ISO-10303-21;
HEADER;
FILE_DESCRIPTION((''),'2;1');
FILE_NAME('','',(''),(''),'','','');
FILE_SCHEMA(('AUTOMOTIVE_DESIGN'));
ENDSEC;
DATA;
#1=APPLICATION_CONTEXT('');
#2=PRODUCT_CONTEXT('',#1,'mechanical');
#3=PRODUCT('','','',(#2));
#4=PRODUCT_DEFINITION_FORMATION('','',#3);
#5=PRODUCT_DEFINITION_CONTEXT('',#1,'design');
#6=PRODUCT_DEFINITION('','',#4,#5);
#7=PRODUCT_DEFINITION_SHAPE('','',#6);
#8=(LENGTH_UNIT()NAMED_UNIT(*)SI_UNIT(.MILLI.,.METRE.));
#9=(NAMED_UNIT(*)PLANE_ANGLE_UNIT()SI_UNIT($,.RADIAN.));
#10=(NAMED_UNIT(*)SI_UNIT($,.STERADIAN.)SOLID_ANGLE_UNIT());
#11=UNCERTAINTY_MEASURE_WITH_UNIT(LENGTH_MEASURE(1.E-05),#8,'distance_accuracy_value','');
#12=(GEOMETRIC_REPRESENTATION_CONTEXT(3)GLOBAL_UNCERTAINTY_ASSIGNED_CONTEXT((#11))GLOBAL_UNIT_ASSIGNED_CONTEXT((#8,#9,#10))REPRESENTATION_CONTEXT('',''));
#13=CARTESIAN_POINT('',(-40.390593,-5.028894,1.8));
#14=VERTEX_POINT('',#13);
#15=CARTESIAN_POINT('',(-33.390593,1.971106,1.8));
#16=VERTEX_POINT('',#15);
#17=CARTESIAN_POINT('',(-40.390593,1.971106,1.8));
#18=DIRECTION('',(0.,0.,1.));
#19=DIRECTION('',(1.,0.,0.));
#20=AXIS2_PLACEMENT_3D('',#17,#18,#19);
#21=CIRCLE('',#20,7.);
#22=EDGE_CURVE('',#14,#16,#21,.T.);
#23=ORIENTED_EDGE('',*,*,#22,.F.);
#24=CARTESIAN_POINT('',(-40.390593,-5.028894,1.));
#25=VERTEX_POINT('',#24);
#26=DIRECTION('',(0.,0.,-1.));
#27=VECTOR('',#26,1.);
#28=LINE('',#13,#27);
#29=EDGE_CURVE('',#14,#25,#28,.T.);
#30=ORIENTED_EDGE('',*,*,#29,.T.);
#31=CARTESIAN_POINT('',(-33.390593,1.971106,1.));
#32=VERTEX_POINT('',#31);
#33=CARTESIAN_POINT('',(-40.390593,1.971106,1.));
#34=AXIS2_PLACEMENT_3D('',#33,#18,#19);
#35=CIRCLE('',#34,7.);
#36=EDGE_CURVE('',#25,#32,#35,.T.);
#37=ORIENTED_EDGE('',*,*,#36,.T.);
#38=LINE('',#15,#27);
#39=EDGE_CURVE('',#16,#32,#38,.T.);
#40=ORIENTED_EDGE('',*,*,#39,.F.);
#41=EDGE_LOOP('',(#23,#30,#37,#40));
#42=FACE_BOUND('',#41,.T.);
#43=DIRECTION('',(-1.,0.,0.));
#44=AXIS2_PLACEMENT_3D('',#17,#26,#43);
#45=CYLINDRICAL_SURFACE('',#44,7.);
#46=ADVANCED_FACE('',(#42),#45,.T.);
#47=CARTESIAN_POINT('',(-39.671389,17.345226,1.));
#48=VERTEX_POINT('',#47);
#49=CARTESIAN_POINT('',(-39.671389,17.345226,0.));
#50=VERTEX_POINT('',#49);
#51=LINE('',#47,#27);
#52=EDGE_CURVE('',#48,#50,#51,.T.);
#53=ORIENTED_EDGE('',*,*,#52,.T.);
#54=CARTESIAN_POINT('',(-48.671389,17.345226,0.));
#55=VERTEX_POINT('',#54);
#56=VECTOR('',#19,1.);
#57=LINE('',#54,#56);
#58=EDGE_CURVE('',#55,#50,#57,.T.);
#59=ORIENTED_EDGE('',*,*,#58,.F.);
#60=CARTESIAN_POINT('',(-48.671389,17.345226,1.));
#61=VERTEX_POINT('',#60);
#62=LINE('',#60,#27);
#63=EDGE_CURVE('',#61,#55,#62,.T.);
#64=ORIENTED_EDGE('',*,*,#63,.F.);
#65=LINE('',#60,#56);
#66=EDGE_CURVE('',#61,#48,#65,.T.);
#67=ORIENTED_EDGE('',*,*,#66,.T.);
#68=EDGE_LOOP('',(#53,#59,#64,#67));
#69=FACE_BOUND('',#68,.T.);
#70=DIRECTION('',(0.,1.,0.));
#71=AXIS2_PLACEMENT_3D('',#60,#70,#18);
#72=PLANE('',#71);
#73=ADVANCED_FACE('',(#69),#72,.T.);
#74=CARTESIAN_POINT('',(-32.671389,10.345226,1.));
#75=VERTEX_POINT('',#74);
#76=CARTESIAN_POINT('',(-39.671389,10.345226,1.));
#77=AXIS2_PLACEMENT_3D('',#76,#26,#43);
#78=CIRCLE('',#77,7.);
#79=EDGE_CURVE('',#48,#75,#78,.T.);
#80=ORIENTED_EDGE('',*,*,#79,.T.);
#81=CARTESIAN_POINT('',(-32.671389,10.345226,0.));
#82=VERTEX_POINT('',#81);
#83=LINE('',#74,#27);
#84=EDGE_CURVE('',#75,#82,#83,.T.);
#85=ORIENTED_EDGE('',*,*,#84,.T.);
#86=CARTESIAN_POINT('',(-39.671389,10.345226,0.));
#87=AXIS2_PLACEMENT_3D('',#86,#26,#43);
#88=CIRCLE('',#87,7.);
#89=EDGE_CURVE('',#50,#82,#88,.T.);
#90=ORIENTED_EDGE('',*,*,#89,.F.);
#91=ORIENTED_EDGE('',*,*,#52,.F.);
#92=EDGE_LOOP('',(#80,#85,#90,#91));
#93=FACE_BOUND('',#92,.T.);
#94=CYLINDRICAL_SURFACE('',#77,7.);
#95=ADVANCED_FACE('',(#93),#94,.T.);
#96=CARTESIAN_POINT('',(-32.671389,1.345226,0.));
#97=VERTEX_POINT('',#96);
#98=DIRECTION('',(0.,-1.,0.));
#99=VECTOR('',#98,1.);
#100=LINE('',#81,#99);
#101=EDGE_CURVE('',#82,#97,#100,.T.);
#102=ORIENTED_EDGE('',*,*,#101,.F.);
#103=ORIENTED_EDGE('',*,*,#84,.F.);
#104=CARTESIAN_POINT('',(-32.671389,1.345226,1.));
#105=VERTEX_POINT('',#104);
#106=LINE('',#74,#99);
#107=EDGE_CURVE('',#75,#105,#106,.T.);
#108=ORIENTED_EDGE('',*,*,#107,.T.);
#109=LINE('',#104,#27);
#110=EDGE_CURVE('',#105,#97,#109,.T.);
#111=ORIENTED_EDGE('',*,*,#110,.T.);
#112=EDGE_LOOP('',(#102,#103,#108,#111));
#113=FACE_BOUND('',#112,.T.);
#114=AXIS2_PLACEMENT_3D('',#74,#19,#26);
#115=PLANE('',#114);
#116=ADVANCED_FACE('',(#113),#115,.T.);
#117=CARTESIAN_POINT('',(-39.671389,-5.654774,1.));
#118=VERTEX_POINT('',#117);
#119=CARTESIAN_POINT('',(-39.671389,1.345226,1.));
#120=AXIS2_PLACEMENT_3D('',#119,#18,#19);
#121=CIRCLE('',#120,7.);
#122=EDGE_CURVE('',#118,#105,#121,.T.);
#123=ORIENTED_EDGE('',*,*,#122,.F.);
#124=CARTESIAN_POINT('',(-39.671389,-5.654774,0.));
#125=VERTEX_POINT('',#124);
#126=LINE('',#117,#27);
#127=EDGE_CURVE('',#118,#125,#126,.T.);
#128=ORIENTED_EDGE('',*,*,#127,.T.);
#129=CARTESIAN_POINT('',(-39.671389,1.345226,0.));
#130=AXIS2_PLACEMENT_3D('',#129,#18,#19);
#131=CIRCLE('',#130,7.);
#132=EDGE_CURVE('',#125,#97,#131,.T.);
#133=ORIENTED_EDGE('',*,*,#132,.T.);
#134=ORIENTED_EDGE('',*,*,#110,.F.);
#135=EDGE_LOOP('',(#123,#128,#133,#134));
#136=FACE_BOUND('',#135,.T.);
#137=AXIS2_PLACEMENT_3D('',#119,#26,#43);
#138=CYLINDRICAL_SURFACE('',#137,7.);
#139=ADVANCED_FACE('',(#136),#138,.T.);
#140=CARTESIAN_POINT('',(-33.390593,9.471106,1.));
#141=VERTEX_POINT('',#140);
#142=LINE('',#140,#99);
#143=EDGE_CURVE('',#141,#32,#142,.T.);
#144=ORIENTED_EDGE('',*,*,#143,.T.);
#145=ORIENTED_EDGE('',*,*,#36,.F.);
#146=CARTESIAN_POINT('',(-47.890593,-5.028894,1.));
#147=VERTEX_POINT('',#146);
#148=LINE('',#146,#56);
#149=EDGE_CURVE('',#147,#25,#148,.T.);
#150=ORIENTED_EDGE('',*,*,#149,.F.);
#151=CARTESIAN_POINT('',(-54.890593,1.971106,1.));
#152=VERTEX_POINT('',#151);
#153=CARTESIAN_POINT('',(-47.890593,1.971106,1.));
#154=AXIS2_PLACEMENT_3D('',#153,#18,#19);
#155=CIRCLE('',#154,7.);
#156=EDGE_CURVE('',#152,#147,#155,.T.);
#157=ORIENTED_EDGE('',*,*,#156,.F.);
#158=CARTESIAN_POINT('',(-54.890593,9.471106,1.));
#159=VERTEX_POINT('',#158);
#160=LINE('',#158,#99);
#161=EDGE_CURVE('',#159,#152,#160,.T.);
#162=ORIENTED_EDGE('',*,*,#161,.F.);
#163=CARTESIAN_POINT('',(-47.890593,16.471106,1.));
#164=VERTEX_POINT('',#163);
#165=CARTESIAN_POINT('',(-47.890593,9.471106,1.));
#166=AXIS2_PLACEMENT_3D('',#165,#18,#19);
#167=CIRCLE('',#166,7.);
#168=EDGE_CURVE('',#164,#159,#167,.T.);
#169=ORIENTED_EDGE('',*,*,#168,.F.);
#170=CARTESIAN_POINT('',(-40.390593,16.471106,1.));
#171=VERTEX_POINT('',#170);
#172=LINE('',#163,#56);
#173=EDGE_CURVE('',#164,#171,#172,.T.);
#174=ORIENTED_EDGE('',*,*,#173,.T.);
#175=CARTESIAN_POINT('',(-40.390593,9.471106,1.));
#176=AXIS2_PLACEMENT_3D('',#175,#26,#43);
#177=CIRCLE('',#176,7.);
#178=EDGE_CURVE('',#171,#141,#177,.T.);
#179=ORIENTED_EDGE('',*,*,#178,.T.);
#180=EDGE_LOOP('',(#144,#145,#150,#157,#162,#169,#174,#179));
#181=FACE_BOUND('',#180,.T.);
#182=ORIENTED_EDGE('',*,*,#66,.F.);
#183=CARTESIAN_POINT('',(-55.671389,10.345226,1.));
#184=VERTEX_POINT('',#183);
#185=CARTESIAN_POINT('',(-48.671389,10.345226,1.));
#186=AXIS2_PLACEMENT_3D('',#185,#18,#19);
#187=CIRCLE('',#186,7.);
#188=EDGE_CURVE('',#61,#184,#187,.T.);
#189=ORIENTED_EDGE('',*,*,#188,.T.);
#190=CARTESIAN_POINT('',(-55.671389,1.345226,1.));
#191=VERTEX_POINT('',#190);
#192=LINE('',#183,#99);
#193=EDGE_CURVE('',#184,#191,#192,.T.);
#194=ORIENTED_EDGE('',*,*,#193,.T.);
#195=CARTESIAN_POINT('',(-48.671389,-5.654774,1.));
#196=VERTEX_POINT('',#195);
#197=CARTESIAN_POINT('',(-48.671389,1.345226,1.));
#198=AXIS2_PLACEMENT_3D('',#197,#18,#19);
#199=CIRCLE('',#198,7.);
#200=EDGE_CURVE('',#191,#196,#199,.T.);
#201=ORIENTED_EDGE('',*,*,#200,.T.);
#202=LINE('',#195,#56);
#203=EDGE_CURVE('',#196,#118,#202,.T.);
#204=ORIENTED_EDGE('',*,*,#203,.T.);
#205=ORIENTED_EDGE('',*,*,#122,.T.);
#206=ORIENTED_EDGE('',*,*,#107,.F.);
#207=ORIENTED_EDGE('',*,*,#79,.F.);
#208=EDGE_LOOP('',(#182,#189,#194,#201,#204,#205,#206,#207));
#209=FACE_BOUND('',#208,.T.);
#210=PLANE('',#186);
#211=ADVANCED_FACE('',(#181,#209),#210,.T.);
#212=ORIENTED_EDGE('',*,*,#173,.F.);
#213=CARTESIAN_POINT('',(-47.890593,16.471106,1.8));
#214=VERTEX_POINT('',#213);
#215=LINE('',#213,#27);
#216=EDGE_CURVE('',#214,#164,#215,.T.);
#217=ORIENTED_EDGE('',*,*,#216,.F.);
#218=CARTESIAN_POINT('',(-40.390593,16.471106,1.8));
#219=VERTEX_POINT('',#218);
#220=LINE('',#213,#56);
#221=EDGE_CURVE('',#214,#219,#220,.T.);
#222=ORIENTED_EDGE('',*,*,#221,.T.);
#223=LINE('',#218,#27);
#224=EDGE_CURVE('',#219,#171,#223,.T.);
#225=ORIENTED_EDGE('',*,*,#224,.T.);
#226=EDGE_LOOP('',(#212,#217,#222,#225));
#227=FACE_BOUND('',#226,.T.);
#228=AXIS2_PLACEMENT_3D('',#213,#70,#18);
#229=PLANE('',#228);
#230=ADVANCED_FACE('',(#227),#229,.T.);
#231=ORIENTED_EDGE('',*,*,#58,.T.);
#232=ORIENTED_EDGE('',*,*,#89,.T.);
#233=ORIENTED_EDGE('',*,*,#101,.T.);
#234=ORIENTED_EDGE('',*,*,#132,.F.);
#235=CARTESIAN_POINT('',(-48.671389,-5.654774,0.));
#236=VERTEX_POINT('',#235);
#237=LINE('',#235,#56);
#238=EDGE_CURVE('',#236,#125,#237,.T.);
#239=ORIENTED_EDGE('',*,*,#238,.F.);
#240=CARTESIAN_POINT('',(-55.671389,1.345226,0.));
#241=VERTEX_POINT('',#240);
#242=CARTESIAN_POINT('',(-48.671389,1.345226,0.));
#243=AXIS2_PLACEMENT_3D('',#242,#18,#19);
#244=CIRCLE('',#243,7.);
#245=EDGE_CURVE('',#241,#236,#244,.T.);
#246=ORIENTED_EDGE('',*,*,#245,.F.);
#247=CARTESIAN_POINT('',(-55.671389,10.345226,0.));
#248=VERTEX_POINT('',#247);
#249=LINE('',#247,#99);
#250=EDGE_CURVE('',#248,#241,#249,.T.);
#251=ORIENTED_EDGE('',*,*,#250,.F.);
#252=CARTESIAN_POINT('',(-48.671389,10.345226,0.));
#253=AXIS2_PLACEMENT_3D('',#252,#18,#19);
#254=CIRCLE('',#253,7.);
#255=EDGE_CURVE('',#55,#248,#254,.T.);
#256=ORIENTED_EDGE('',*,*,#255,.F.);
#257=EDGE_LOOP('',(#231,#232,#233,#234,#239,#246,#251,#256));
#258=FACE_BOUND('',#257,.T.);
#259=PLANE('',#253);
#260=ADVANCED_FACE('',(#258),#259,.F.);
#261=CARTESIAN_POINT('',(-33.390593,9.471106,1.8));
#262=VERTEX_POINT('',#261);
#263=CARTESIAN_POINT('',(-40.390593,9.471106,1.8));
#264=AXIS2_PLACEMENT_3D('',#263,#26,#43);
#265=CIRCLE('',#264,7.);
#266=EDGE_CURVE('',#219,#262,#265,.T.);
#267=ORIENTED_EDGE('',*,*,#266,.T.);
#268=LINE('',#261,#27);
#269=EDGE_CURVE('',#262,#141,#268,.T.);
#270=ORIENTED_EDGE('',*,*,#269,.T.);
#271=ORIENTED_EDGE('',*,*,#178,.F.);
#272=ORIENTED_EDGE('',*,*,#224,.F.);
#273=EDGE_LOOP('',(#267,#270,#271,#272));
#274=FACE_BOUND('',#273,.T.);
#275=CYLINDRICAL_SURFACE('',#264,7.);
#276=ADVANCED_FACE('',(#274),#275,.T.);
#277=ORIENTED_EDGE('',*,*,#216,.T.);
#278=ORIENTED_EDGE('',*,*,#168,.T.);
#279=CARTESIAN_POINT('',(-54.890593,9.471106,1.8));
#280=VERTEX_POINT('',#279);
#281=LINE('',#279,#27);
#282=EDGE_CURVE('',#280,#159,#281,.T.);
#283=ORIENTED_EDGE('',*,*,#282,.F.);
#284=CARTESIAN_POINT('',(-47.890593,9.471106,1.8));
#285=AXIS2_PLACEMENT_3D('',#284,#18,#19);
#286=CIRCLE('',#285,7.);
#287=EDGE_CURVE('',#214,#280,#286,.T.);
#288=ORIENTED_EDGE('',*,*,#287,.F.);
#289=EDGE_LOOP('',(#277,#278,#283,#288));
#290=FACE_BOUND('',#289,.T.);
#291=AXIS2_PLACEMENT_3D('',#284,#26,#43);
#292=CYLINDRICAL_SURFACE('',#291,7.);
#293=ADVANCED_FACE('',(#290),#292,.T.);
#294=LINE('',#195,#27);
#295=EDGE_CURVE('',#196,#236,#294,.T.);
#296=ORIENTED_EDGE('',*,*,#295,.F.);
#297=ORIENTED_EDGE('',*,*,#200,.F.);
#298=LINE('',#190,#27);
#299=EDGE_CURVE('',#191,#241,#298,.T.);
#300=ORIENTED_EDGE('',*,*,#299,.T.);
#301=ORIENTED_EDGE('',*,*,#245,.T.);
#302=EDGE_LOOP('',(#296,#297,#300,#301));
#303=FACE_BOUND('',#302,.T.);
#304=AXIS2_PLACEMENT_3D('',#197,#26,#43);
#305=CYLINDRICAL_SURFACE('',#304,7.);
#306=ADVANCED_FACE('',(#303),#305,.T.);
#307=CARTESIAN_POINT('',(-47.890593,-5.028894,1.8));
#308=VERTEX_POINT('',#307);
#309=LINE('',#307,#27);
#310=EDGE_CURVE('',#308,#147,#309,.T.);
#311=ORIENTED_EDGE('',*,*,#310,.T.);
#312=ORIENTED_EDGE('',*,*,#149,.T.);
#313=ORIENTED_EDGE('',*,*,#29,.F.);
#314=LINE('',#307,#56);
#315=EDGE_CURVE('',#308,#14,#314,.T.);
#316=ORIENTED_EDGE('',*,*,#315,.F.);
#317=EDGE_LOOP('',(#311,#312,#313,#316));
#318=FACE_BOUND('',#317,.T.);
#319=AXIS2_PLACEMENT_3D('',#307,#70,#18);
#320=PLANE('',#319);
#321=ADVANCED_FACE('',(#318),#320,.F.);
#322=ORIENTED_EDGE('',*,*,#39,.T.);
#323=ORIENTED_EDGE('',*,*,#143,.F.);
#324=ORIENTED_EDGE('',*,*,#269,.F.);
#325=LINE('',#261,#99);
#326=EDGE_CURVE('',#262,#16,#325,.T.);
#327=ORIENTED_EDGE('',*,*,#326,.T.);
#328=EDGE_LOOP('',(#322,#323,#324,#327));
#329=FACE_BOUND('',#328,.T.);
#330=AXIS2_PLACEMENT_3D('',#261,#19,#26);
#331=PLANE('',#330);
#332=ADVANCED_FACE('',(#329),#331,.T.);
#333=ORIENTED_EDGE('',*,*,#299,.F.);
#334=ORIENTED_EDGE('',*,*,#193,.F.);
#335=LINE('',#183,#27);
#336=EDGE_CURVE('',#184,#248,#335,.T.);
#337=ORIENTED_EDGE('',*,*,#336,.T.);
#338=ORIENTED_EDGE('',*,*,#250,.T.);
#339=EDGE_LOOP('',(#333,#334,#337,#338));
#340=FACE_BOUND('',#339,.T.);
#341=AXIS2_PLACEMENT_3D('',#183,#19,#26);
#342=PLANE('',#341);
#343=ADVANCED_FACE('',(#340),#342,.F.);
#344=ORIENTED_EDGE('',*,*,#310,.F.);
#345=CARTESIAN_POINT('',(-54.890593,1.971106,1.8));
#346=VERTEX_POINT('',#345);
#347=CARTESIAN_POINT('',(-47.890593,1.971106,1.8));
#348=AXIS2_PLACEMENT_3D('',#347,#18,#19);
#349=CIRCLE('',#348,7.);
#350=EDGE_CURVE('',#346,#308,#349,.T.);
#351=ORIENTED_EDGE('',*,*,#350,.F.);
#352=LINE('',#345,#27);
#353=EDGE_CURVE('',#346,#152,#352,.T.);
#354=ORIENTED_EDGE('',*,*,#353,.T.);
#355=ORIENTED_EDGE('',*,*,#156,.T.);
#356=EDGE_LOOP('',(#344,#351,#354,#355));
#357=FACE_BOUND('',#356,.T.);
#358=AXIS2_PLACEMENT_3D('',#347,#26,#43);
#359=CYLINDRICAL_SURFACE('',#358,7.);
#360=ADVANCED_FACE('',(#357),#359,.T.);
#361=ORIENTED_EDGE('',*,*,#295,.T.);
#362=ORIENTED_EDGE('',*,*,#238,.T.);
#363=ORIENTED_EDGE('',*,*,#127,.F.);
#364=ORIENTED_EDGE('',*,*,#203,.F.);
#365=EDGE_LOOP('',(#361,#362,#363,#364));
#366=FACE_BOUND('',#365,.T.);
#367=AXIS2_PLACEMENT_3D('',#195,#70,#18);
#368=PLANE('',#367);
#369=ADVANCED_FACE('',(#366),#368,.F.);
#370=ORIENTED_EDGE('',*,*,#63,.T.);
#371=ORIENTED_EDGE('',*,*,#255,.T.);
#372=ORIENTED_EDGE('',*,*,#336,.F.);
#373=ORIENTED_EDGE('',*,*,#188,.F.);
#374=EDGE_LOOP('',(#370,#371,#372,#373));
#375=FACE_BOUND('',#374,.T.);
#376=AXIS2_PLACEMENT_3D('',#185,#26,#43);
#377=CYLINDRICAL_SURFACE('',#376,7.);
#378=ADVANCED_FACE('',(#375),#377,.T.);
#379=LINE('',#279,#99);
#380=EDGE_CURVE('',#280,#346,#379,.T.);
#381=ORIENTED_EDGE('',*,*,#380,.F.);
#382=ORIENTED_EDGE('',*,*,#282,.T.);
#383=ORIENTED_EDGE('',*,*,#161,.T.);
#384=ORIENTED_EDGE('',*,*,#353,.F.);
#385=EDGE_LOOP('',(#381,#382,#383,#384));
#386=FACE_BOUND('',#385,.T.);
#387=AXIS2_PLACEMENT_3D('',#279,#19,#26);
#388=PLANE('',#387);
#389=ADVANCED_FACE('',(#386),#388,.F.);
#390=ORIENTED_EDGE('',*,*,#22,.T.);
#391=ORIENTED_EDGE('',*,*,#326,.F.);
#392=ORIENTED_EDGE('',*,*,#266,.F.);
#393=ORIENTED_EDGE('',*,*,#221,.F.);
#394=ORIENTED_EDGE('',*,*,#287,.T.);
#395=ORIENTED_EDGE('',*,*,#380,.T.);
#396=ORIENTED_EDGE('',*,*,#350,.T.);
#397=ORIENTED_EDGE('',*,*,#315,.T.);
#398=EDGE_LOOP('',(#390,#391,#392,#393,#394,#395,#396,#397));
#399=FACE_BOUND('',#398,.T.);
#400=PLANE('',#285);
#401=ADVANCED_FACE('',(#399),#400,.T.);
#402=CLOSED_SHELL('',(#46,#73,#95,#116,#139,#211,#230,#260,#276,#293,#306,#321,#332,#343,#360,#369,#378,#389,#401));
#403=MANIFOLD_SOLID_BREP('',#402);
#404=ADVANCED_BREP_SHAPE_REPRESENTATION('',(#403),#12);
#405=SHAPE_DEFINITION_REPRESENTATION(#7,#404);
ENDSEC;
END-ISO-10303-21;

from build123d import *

# Parameters (mm, degrees)
EXTRUDE_2_DEPTH = 1
EXTRUDE_3_DEPTH = 0.8


with BuildPart() as part:
    # 草图1 → 凸台-拉伸2 (new body)
    with BuildSketch(Plane.XY):
        with BuildLine():
            Line((-48.671389481, 17.345225753), (-39.671389481, 17.345225753))
            ThreePointArc((-39.671389481, 17.345225753), (-34.721642013, 15.294973222), (-32.671389481, 10.345225753))
            Line((-32.671389481, 10.345225753), (-32.671389481, 1.345225753))
            ThreePointArc((-32.671389481, 1.345225753), (-34.721642013, -3.604521715), (-39.671389481, -5.654774247))
            Line((-39.671389481, -5.654774247), (-48.671389481, -5.654774247))
            ThreePointArc((-48.671389481, -5.654774247), (-53.621136949, -3.604521715), (-55.671389481, 1.345225753))
            Line((-55.671389481, 1.345225753), (-55.671389481, 10.345225753))
            ThreePointArc((-55.671389481, 10.345225753), (-53.621136949, 15.294973222), (-48.671389481, 17.345225753))
        make_face()
    extrude(amount=EXTRUDE_2_DEPTH)

    # 草图2 → 凸台-拉伸3 (add)
    with BuildSketch(Plane.XY.offset(1)):
        with BuildLine():
            Line((-47.890592888, 16.471105679), (-40.390592888, 16.471105679))
            ThreePointArc((-40.390592888, 16.471105679), (-35.44084542, 14.420853148), (-33.390592888, 9.471105679))
            Line((-33.390592888, 9.471105679), (-33.390592888, 1.971105679))
            ThreePointArc((-33.390592888, 1.971105679), (-35.44084542, -2.978641789), (-40.390592888, -5.028894321))
            Line((-40.390592888, -5.028894321), (-47.890592888, -5.028894321))
            ThreePointArc((-47.890592888, -5.028894321), (-52.840340356, -2.978641789), (-54.890592888, 1.971105679))
            Line((-54.890592888, 1.971105679), (-54.890592888, 9.471105679))
            ThreePointArc((-54.890592888, 9.471105679), (-52.840340356, 14.420853148), (-47.890592888, 16.471105679))
        make_face()
    extrude(amount=EXTRUDE_3_DEPTH)


solid = part.part
